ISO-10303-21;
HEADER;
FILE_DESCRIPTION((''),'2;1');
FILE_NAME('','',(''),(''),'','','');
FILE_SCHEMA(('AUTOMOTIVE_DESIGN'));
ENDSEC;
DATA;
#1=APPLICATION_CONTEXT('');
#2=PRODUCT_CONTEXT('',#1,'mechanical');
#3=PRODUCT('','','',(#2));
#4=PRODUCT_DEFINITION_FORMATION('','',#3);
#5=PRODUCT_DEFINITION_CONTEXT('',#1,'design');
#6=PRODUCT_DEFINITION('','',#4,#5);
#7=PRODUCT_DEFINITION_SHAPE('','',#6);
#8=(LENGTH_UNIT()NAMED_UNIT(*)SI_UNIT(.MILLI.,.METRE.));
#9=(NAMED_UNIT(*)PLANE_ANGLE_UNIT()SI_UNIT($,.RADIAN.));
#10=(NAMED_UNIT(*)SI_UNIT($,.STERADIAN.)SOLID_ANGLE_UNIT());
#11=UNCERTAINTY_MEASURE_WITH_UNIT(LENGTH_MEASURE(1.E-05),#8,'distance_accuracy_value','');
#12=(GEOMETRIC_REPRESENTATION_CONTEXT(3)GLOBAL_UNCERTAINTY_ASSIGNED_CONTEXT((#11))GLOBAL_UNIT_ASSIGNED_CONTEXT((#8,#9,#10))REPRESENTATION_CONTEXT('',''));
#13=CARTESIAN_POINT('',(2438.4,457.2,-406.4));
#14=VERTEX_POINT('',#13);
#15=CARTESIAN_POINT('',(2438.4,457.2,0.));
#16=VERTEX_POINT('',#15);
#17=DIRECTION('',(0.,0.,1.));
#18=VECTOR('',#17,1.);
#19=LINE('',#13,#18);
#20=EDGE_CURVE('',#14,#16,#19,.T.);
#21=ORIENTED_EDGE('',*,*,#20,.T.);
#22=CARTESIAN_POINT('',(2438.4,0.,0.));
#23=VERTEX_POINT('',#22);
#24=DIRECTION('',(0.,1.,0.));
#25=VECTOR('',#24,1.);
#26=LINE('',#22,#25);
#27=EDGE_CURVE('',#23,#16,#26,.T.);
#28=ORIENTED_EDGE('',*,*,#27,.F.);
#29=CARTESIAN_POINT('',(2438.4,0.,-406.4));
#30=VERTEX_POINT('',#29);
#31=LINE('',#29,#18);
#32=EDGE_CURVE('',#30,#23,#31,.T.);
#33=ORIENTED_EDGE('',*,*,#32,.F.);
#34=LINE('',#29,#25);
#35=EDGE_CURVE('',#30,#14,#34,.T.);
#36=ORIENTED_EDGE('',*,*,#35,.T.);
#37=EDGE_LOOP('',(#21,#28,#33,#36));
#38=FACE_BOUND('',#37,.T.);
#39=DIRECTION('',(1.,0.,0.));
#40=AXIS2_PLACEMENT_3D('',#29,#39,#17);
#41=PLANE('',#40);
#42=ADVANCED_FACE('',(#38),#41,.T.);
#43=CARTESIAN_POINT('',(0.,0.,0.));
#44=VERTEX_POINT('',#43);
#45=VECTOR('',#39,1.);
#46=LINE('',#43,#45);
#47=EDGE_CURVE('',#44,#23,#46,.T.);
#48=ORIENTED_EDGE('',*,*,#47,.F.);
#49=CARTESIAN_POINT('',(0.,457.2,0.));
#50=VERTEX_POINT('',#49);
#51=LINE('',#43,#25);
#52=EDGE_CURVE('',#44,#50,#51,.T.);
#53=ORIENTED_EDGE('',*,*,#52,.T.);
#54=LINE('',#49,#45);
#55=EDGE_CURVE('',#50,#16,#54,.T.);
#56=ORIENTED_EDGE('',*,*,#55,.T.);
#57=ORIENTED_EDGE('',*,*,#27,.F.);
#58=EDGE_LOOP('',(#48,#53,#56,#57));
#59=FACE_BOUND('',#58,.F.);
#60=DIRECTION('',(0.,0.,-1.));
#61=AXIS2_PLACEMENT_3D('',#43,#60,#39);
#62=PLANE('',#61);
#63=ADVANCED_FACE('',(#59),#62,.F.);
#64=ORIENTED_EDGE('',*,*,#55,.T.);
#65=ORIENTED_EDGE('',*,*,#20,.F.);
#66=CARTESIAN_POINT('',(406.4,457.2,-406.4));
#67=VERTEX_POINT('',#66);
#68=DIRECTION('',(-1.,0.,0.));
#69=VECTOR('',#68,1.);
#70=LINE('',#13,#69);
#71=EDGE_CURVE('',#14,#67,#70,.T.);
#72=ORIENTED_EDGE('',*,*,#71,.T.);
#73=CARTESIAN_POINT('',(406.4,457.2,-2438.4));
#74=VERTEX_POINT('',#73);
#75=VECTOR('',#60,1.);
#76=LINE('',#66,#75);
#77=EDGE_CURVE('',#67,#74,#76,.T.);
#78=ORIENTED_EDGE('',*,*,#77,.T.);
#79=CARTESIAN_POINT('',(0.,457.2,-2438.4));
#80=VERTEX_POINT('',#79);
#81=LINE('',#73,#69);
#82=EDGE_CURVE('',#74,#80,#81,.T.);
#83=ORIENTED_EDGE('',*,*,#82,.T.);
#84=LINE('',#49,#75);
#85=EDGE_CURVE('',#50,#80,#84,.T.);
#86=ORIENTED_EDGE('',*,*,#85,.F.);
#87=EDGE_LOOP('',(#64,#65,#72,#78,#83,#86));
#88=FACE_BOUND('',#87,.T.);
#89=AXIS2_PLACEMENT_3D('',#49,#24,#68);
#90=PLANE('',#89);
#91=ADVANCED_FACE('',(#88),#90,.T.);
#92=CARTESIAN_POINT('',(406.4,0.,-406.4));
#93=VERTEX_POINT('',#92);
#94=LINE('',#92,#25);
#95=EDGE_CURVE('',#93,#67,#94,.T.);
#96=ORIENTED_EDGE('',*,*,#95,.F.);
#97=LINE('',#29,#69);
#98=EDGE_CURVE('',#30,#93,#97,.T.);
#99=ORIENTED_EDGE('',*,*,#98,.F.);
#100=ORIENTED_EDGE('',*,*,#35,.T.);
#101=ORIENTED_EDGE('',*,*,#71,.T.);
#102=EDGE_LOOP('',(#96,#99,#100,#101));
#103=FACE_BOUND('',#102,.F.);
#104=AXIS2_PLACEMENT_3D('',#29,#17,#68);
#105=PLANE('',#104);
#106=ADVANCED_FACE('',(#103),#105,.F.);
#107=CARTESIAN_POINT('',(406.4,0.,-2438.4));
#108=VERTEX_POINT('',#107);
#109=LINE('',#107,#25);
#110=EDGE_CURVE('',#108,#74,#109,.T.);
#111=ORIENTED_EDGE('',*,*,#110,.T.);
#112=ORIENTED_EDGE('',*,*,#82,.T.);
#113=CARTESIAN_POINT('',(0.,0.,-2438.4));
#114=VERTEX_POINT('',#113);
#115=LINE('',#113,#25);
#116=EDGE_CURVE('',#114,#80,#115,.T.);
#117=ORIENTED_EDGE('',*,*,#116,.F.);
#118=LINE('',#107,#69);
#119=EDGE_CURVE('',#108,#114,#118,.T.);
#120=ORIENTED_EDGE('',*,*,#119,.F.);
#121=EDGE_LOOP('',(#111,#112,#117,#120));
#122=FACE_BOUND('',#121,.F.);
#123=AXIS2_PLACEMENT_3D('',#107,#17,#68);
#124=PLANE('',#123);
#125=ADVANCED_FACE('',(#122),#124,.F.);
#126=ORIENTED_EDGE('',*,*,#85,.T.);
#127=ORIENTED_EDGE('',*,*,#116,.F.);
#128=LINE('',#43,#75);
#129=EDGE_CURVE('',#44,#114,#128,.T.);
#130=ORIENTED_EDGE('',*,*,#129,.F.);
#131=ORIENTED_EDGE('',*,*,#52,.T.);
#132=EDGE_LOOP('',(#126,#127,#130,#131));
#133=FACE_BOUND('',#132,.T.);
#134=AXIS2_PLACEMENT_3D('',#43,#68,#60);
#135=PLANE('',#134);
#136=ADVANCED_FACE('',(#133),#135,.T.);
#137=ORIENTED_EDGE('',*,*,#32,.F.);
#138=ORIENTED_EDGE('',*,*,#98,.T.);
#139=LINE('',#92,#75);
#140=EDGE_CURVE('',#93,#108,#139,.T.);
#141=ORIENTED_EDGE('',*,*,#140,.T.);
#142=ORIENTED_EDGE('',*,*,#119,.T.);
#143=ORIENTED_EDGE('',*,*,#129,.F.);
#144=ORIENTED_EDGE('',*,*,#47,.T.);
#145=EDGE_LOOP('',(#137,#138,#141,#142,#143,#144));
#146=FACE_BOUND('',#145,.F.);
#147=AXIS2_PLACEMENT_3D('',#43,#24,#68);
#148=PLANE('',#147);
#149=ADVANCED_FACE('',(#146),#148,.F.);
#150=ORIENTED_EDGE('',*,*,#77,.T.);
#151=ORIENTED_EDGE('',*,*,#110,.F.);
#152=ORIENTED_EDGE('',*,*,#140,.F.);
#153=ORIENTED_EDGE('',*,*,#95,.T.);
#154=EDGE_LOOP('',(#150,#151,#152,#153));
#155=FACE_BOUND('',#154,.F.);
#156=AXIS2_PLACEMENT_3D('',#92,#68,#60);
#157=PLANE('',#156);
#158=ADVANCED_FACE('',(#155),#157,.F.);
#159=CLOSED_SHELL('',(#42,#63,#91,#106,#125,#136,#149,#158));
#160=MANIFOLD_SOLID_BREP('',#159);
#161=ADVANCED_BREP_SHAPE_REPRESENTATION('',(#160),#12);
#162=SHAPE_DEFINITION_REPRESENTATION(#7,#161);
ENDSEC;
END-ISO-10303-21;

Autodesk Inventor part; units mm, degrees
ref_plane "YZ Plane" through (0, 0, 0) normal (1, 0, 0) x (0, 1, 0)
ref_plane "XZ Plane" through (0, 0, 0) normal (0, 1, 0) x (-1, 0, 0)
ref_plane "XY Plane" through (0, 0, 0) normal (0, 0, 1) x (1, 0, 0)
sketch "Sketch1" plane through (0, 0, 0) normal (0, 1, 0) x (-1, 0, 0)
  line L0 (0, 0) -> (-2438.4, 0)
  line L1 (0, 0) -> (0, -2438.4)
  line L2 (-2438.4, -406.4) -> (-406.4, -406.4)
  line L3 (-406.4, -406.4) -> (-406.4, -2438.4)
  line L4 (-2438.4, -406.4) -> (-2438.4, 0)
  line L5 (-406.4, -2438.4) -> (0, -2438.4)
  dimension "d0" = 2438.4
  dimension "d2" = 2438.4
  dimension "d3" = 406.4
extrude "Extrusion1" add sketch "Sketch1" along normal blind 457.2
properties part number "bench" material "Wood (Cherry)"
